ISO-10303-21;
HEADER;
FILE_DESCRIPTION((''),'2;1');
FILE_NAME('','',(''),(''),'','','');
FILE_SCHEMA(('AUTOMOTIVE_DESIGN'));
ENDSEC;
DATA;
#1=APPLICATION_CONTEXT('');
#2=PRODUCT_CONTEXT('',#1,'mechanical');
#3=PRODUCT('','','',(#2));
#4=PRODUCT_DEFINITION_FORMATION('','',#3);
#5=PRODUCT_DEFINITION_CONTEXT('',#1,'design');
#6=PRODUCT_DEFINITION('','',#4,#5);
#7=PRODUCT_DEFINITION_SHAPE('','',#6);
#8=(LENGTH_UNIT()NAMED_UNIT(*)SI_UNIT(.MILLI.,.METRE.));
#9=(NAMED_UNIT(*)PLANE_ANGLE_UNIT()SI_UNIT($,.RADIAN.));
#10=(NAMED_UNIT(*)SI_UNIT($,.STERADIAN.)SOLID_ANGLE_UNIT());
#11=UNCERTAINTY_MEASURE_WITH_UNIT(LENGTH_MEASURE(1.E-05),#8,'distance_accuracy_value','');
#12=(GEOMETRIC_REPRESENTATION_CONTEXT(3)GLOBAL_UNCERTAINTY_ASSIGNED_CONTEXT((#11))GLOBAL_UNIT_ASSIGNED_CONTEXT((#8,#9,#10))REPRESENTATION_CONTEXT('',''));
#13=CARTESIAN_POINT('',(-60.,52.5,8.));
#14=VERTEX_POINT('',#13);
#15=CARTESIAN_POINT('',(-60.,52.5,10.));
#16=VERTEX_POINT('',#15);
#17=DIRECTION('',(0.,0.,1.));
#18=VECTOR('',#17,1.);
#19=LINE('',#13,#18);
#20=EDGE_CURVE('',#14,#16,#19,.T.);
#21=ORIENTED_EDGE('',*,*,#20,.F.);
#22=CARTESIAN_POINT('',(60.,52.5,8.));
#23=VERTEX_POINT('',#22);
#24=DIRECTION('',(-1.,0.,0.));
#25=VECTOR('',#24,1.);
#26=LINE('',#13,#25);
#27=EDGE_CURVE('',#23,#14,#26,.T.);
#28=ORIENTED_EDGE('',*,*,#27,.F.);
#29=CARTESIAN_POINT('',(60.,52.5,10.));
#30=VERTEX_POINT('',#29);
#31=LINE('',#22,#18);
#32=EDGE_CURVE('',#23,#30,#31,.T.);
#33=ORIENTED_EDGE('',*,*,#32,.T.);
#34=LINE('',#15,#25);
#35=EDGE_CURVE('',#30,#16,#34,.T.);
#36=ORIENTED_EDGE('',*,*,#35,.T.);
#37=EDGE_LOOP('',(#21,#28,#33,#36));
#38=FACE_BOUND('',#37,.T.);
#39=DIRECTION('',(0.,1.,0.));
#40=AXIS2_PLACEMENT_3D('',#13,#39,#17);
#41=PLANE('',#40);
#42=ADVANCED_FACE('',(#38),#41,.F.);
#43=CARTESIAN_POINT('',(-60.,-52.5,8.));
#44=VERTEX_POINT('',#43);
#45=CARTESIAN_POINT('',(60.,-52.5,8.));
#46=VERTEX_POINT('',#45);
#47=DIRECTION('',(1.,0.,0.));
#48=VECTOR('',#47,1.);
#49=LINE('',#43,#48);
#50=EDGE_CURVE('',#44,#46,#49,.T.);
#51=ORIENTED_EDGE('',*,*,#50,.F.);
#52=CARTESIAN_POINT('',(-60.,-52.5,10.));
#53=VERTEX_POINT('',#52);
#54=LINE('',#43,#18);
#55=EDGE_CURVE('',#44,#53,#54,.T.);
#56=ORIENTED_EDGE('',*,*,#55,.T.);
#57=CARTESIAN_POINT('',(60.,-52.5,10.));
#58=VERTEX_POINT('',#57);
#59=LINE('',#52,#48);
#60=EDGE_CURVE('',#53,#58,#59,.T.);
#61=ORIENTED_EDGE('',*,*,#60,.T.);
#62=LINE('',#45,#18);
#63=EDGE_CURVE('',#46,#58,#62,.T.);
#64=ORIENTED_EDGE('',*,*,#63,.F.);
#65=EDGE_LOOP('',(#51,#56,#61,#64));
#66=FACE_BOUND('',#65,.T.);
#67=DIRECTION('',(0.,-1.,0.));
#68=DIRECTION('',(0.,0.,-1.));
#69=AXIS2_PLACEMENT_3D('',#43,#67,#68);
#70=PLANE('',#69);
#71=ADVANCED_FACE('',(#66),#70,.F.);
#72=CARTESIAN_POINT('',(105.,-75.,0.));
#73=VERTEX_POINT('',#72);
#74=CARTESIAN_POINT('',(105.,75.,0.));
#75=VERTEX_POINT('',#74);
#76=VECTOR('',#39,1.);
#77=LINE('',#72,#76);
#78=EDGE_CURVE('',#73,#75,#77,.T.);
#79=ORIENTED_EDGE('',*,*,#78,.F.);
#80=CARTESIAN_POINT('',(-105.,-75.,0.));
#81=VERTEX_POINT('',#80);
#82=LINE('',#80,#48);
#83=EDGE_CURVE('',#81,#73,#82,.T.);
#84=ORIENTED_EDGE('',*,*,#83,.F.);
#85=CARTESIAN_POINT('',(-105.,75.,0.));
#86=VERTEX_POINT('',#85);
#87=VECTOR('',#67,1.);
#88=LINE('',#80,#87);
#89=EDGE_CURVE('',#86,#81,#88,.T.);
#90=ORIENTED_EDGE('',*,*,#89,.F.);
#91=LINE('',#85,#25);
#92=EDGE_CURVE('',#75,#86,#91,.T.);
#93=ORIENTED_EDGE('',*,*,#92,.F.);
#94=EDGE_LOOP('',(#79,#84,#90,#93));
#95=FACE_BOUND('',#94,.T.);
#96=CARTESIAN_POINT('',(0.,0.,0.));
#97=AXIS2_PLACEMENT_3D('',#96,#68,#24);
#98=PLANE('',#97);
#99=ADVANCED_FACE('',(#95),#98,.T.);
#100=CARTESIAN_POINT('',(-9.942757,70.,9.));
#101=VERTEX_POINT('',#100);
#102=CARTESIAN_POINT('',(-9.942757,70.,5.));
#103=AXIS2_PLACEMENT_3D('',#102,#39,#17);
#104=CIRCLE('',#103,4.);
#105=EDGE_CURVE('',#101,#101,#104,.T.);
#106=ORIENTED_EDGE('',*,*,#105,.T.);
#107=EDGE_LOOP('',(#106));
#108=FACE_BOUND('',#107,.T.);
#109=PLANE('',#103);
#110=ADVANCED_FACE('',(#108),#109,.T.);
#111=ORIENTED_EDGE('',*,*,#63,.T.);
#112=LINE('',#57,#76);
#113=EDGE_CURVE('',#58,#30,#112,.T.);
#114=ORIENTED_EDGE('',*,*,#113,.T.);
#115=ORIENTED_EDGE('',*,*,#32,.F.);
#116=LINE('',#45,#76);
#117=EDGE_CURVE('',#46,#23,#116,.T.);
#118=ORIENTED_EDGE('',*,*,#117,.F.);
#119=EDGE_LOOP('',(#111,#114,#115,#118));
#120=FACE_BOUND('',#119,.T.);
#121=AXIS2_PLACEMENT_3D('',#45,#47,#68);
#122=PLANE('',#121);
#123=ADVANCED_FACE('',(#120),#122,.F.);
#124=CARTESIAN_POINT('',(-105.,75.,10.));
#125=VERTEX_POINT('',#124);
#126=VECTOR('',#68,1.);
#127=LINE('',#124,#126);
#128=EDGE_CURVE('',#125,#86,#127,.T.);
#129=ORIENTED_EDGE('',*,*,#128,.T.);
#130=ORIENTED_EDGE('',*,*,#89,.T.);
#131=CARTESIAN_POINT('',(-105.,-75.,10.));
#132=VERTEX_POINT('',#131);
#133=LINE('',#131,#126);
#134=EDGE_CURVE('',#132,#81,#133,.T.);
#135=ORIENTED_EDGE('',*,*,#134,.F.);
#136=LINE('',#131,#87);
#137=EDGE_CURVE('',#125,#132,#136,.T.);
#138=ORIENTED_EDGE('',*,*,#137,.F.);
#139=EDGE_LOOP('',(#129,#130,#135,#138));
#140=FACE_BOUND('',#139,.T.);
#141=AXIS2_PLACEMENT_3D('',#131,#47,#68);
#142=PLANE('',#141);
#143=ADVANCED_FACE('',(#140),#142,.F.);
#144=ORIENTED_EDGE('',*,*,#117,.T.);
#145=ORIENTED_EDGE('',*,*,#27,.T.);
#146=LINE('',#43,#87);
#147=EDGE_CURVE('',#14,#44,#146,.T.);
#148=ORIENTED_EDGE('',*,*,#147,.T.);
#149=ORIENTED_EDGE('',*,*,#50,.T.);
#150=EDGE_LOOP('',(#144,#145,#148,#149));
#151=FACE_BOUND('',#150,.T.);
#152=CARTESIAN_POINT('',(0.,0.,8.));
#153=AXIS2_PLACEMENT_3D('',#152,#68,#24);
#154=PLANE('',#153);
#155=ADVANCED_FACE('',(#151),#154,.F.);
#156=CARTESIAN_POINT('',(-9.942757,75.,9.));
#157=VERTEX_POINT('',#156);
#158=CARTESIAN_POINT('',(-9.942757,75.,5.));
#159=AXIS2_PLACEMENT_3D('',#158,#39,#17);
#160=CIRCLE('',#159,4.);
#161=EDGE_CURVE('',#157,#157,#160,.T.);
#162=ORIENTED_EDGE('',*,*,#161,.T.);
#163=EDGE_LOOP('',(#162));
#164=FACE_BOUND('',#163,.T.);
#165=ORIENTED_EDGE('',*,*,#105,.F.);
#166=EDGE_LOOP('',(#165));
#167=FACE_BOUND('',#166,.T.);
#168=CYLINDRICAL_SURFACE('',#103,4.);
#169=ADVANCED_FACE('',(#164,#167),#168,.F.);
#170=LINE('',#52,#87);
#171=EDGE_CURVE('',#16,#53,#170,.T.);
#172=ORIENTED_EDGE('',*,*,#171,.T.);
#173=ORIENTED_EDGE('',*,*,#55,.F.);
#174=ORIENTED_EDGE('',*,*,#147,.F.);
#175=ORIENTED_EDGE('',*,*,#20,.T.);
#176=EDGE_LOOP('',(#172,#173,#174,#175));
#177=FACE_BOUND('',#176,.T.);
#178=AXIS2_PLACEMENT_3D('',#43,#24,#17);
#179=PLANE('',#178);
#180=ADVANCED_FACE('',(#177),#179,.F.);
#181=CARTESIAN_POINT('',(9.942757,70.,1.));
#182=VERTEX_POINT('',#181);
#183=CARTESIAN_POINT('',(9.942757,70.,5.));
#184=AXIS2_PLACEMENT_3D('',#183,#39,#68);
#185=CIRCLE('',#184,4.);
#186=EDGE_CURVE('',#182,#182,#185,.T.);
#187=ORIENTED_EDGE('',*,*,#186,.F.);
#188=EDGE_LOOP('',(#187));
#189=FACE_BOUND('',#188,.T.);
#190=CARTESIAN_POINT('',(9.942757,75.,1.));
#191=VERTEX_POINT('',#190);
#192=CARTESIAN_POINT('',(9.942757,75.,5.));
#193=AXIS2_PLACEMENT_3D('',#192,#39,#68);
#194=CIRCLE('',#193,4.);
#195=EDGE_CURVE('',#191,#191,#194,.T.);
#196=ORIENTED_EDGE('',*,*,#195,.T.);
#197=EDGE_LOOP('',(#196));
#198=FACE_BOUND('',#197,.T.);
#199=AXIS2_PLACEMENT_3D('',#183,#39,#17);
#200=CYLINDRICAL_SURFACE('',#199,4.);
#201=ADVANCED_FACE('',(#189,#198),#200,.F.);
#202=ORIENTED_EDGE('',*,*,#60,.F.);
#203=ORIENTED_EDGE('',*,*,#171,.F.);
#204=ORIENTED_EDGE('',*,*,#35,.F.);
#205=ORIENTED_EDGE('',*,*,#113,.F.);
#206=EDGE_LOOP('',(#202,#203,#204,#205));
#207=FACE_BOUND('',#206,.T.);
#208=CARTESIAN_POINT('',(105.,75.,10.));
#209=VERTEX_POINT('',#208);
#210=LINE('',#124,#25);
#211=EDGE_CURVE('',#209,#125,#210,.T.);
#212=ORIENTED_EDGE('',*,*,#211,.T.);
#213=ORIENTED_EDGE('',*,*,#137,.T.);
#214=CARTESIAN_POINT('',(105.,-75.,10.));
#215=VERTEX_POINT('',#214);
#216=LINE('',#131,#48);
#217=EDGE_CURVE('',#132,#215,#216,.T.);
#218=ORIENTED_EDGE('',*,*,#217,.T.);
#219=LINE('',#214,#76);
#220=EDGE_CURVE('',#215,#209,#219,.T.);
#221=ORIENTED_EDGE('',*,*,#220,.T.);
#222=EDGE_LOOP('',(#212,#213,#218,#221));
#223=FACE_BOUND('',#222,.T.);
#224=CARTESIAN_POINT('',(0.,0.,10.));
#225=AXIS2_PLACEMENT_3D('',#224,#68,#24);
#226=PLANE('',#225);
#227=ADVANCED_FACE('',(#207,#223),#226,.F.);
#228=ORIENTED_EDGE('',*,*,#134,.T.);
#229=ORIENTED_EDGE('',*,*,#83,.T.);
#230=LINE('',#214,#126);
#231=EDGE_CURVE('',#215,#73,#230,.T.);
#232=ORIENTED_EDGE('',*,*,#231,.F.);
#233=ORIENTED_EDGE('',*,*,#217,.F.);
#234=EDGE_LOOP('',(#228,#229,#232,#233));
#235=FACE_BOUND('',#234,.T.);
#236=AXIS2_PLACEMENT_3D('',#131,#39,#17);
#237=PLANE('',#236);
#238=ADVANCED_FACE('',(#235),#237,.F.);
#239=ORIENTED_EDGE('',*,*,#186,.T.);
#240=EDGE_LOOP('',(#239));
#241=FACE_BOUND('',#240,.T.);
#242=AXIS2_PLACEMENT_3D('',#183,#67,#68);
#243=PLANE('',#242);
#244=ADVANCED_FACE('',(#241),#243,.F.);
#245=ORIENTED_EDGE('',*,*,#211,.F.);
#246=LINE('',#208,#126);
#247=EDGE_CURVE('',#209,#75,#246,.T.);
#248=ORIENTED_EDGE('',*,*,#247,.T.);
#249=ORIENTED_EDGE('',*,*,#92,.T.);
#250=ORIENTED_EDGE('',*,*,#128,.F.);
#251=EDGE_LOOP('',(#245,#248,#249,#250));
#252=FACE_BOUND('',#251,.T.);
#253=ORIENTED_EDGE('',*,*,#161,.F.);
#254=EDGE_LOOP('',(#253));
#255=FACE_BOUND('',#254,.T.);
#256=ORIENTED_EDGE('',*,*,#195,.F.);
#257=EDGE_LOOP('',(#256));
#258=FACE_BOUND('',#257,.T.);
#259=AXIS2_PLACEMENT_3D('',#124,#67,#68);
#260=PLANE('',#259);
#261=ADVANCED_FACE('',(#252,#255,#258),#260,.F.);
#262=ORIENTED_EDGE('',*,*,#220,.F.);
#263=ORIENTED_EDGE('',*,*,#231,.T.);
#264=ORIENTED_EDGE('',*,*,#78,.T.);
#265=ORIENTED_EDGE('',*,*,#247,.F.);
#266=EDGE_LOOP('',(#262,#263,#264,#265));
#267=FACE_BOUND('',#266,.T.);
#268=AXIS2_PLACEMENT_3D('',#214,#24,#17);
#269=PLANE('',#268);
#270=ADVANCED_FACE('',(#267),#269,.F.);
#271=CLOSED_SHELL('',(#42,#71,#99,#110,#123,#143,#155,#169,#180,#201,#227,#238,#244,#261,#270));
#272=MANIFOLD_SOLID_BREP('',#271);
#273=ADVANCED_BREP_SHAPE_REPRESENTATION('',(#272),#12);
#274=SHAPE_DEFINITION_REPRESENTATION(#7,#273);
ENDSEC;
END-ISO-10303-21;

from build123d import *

# Parameters (mm, degrees)
SKETCH1_W           = 210
SKETCH1_H           = 150
BOSS_EXTRUDE1_DEPTH = 10
SKETCH2_W           = 120
SKETCH2_H           = 105
CUT_EXTRUDE1_DEPTH  = 2
SKETCH3_R           = 4
CUT_EXTRUDE2_DEPTH  = 5


with BuildPart() as part:
    # Sketch1 → Boss-Extrude1 (new body)
    with BuildSketch(Plane.XY):
        Rectangle(SKETCH1_W, SKETCH1_H)
    extrude(amount=BOSS_EXTRUDE1_DEPTH)

    # Sketch2 → Cut-Extrude1 (cut)
    with BuildSketch(Plane.XY.offset(10)):
        Rectangle(SKETCH2_W, SKETCH2_H)
    extrude(amount=-CUT_EXTRUDE1_DEPTH, mode=Mode.SUBTRACT)

    # Sketch3 → Cut-Extrude2 (cut)
    with BuildSketch(Plane(origin=(0, 75, 0), x_dir=(1, 0, 0), z_dir=(0, 1, 0))):
        with Locations(Location((-9.942757001, -5, 0), (0, 0, 270))):
            Circle(SKETCH3_R)
        with Locations(Location((9.942757001, -5, 0), (0, 0, 90))):
            Circle(SKETCH3_R)
    extrude(amount=-CUT_EXTRUDE2_DEPTH, mode=Mode.SUBTRACT)


solid = part.part
